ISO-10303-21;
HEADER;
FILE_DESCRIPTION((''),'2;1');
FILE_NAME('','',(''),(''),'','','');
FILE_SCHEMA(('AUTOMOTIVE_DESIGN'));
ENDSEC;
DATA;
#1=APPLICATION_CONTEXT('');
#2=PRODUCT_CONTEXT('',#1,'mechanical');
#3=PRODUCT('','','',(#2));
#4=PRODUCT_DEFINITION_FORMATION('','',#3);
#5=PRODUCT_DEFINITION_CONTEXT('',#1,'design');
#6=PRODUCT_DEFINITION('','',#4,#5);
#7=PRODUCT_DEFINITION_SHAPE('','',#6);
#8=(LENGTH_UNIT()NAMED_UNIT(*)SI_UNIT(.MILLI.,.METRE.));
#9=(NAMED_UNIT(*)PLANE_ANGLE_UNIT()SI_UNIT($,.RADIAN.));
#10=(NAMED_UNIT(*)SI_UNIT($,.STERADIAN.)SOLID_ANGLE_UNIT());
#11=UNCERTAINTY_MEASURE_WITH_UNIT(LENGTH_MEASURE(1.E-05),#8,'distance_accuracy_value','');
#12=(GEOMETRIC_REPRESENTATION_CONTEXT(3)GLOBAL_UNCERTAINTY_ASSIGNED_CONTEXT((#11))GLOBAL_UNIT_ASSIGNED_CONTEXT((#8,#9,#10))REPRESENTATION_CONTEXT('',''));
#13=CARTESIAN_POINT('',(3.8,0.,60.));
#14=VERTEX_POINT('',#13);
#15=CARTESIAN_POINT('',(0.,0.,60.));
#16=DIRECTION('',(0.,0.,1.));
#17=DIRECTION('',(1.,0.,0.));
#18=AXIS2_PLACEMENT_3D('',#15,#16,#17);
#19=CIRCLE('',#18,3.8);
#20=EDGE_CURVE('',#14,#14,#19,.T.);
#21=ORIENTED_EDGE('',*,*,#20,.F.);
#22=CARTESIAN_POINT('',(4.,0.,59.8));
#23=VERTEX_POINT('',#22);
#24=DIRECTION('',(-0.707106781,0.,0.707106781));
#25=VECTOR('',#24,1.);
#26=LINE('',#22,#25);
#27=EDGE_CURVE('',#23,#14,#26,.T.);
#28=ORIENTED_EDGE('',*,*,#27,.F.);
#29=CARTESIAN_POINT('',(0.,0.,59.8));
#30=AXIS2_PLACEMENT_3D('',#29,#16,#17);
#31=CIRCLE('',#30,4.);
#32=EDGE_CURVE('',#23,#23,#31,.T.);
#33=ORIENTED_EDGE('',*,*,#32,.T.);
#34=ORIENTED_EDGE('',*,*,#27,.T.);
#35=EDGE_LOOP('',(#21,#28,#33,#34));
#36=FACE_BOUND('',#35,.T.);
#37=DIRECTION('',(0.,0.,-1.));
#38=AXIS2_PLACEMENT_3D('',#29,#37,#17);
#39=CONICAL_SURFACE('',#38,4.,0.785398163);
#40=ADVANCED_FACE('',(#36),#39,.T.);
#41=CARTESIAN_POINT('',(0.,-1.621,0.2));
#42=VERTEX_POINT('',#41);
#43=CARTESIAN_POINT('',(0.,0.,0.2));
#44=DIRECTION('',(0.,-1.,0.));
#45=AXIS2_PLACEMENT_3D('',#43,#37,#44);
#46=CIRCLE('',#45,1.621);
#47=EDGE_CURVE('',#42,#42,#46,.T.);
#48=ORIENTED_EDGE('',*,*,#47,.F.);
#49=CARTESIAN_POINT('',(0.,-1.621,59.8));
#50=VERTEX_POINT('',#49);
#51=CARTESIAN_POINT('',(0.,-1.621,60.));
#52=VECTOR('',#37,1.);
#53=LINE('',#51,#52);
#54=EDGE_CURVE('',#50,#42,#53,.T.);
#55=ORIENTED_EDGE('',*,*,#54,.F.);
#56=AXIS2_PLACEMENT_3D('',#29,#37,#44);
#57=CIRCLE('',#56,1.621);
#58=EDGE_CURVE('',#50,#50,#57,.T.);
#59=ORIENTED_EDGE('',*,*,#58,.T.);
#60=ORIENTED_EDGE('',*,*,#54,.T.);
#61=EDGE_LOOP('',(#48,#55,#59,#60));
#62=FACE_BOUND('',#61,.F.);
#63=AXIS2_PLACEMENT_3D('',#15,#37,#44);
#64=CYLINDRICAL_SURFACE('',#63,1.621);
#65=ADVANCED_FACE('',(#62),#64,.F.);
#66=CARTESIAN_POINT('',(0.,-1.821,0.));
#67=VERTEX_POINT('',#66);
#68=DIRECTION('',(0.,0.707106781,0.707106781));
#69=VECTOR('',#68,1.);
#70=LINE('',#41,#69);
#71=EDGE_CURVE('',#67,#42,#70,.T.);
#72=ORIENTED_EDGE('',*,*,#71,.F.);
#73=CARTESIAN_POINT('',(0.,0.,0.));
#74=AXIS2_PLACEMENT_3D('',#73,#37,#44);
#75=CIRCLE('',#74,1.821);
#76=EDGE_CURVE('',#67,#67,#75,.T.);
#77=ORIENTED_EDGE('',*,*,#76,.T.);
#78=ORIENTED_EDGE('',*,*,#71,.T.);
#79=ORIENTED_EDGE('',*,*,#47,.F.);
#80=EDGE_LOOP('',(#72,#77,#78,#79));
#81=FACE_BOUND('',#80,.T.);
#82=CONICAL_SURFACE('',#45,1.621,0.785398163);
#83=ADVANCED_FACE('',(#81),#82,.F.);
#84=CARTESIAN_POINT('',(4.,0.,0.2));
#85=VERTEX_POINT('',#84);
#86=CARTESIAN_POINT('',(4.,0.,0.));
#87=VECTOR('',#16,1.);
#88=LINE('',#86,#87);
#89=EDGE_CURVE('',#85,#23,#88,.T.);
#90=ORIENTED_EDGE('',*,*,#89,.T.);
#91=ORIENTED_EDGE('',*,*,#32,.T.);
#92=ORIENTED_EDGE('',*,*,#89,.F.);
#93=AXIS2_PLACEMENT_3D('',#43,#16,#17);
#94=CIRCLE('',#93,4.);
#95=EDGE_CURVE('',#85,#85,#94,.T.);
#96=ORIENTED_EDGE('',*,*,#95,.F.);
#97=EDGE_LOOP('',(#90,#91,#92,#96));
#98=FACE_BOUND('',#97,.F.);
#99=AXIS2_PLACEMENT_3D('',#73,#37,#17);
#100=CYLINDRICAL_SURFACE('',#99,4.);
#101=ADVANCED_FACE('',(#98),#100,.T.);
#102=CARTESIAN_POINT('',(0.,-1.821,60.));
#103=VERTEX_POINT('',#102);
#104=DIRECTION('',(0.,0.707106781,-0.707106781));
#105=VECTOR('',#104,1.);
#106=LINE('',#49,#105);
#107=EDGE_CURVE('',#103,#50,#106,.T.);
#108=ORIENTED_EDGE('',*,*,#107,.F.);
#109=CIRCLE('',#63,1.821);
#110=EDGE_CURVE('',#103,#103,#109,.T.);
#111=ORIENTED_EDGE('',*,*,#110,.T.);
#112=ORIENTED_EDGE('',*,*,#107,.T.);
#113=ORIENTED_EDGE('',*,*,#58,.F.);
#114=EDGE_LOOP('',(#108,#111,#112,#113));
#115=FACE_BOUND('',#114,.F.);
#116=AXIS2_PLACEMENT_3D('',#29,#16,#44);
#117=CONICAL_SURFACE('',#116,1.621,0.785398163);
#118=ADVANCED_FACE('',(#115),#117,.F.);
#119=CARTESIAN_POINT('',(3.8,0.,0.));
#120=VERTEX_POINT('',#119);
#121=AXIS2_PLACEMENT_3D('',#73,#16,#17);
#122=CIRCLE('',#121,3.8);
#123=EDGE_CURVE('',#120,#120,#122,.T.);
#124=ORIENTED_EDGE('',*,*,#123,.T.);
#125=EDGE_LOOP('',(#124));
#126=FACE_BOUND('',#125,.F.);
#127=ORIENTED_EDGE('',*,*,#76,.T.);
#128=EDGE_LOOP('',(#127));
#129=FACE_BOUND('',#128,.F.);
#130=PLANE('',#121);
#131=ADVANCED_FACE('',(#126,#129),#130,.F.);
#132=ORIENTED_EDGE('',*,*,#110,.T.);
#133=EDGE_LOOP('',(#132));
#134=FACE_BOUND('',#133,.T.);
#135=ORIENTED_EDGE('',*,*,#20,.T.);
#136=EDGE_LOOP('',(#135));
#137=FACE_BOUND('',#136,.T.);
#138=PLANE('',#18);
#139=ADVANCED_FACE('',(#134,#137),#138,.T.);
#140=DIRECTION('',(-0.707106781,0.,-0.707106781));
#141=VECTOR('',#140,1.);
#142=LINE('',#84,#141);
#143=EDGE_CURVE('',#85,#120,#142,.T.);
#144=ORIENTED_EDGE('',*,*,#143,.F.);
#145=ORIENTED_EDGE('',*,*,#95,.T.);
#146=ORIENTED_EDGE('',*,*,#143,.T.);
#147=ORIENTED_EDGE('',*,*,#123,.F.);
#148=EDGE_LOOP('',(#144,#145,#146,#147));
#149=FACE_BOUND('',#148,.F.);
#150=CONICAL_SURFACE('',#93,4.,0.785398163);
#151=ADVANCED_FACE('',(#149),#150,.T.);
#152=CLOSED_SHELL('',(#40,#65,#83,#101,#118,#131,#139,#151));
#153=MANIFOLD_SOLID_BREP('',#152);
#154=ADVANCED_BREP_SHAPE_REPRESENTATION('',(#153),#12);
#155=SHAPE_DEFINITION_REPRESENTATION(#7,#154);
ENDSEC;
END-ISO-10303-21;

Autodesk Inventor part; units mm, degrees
ref_plane "YZ Plane" through (0, 0, 0) normal (1, 0, 0) x (0, 1, 0)
ref_plane "XZ Plane" through (0, 0, 0) normal (0, 1, 0) x (-1, 0, 0)
ref_plane "XY Plane" through (0, 0, 0) normal (0, 0, 1) x (1, 0, 0)
sketch "スケッチ1" plane through (0, 0, 0) normal (0, 0, 1) x (1, 0, 0)
  circle A0 centre (0, 0) radius 4
  dimension "d13" = 8
extrude "押し出し1" add sketch "スケッチ1" along normal blind 60
sketch "スケッチ2" plane through (0, 0, 60) normal (0, 0, 1) x (1, 0, 0)
  point P0 (0, 0)
  point P1 (0, 0)
hole "穴1" at (0, 0, 60) direction (0, 0, -1) diameter 3.242 end through all thread size "M4x0.7" class "6H" standard "ANSI Metric M Profile"
chamfer "面取り1" distance 0.2 angle 45 4 edges at (0, 1.621, 60) (0, 1.621, 0) (-4, 0, 60) (-4, 0, 0)
properties part number "ARF-4_1" material "鋼、炭素鋼"
